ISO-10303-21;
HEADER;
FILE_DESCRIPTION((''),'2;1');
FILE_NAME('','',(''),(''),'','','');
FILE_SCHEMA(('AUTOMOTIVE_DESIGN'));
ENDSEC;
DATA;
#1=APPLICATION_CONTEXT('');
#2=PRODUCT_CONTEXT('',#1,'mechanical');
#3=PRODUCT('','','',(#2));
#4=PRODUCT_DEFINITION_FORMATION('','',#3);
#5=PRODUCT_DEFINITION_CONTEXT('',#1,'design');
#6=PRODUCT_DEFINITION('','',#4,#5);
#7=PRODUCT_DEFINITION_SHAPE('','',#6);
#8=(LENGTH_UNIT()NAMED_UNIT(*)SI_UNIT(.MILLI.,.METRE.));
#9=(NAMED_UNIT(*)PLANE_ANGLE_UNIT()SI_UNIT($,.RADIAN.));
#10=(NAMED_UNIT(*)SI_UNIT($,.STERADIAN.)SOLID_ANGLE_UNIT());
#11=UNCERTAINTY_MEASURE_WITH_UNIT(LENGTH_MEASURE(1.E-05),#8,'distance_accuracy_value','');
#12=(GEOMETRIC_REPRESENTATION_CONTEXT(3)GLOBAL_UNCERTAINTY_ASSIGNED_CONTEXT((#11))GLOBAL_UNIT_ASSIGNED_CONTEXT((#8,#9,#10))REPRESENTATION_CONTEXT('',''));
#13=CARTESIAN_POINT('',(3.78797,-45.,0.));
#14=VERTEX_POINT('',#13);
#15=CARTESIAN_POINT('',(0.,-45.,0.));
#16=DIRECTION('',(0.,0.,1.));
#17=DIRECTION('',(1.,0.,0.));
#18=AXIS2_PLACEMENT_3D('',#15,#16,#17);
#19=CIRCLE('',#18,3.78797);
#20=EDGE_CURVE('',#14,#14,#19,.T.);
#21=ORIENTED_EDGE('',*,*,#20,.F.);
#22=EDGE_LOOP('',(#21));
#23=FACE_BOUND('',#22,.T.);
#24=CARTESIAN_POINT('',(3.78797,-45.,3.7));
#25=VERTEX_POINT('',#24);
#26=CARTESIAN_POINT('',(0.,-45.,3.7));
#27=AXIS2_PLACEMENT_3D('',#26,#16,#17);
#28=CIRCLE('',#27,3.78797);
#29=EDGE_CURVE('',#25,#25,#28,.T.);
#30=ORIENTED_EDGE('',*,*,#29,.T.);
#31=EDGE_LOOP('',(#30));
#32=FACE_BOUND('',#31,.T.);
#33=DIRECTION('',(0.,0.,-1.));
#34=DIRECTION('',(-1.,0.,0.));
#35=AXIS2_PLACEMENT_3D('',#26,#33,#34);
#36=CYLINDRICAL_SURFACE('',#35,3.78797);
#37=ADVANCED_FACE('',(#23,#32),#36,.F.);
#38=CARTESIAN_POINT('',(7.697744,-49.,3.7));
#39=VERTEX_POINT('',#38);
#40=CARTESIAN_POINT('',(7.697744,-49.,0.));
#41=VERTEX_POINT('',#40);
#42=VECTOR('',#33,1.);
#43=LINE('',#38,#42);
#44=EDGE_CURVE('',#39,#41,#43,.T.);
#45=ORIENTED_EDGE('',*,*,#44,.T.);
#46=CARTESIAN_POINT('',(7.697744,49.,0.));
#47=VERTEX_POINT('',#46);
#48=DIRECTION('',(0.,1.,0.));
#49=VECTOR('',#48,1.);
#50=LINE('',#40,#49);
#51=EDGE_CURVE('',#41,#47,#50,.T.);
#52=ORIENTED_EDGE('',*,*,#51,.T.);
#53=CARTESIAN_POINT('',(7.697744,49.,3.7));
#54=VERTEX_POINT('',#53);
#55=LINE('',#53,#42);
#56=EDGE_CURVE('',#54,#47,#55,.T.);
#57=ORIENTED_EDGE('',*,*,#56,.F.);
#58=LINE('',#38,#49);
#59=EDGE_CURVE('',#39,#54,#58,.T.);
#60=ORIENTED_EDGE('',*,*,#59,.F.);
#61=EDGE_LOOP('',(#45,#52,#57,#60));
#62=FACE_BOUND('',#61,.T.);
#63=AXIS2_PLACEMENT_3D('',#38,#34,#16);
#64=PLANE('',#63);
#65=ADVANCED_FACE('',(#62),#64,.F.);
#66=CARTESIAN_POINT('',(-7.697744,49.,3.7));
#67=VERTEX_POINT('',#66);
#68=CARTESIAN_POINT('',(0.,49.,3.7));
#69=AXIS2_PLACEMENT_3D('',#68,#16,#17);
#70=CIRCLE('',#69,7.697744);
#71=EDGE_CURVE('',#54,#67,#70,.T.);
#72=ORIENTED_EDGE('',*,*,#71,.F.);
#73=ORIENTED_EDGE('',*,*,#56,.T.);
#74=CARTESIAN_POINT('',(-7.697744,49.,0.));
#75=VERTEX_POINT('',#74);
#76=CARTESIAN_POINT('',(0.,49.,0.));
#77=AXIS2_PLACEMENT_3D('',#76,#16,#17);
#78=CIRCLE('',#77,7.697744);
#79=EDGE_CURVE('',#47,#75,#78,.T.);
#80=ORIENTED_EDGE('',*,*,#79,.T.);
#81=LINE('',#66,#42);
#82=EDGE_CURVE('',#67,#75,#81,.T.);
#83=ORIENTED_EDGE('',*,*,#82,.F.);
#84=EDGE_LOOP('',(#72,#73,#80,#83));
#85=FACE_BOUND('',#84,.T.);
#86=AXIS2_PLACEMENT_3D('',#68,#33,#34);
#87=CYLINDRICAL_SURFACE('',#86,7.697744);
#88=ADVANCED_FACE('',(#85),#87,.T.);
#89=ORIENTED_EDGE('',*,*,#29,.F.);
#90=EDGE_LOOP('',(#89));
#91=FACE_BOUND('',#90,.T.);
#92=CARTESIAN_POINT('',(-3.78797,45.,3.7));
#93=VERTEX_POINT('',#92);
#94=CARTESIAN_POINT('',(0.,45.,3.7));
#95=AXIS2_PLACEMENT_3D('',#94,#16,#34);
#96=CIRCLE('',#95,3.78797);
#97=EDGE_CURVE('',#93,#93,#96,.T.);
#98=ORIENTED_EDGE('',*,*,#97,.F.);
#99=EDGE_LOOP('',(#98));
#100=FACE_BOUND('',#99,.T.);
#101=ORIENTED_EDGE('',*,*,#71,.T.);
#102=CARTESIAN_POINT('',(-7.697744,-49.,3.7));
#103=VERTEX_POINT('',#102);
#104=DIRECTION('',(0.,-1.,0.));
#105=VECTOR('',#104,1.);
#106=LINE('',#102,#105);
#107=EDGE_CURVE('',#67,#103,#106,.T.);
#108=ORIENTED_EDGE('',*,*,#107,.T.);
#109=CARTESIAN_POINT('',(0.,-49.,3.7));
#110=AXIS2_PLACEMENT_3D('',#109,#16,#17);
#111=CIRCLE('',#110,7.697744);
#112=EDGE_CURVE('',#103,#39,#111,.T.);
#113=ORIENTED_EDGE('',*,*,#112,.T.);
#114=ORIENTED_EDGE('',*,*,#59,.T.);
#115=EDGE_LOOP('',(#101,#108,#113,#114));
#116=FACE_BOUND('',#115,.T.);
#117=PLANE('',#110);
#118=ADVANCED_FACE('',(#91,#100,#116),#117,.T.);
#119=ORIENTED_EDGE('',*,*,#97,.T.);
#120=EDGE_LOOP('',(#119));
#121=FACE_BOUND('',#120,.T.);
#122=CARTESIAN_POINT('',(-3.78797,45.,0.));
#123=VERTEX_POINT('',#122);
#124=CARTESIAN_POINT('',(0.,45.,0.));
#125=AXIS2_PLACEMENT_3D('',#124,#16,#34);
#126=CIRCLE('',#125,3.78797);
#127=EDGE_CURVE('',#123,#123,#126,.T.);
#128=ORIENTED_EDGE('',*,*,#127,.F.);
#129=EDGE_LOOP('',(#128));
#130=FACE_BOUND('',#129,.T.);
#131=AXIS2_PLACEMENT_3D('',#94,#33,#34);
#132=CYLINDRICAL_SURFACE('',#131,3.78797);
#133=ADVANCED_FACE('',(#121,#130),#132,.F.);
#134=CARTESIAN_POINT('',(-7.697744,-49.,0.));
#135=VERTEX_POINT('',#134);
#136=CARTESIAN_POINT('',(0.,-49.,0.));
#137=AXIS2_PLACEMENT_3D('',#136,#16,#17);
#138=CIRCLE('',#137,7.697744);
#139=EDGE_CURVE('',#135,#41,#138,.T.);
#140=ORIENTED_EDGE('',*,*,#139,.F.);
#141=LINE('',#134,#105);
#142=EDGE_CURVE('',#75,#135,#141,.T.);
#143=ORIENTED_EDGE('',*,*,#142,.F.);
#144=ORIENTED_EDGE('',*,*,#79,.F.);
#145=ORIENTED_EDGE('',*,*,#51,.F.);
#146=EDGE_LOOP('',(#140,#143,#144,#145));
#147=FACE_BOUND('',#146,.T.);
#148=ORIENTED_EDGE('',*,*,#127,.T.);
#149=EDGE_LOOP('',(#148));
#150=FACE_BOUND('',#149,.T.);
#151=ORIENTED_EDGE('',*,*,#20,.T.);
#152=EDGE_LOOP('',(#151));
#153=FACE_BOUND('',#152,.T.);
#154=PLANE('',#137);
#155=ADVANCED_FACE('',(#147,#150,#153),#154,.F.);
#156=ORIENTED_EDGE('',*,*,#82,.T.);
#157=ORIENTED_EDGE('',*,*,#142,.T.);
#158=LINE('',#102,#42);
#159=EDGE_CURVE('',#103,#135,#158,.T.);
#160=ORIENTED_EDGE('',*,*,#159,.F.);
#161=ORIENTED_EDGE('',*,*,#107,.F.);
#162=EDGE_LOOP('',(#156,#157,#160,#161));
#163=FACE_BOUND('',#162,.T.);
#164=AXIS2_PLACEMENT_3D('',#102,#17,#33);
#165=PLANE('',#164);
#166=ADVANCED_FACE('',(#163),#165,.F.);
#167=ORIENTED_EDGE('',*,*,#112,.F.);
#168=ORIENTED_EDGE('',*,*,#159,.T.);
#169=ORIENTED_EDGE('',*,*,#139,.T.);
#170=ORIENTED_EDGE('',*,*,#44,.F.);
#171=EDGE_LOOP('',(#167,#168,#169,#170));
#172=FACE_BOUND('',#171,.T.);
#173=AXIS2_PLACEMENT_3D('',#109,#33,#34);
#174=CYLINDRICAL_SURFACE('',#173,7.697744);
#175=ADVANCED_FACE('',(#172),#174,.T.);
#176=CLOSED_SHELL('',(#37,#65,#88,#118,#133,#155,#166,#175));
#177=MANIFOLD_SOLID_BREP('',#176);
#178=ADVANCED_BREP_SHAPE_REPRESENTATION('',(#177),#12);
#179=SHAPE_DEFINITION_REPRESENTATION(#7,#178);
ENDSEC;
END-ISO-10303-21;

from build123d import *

# Parameters (mm, degrees)
IZIM1_R                     = 3.787969925
Y_KSEKLIK_EKSTR_ZYON1_DEPTH = 3.7


with BuildPart() as part:
    # Çizim1 → Yükseklik-Ekstrüzyon1 (new body)
    with BuildSketch(Plane.XY):
        with BuildLine():
            Line((-7.697744361, -49), (-7.697744361, 49))
            ThreePointArc((-7.697744361, 49), (0, 56.697744361), (7.697744361, 49))
            Line((7.697744361, 49), (7.697744361, -49))
            ThreePointArc((7.697744361, -49), (0, -56.697744361), (-7.697744361, -49))
        make_face()
        with Locations((0, -45)):
            Circle(IZIM1_R, mode=Mode.SUBTRACT)
        with Locations(Location((0, 45, 0), (0, 0, 180))):
            Circle(IZIM1_R, mode=Mode.SUBTRACT)
    extrude(amount=Y_KSEKLIK_EKSTR_ZYON1_DEPTH)


solid = part.part
